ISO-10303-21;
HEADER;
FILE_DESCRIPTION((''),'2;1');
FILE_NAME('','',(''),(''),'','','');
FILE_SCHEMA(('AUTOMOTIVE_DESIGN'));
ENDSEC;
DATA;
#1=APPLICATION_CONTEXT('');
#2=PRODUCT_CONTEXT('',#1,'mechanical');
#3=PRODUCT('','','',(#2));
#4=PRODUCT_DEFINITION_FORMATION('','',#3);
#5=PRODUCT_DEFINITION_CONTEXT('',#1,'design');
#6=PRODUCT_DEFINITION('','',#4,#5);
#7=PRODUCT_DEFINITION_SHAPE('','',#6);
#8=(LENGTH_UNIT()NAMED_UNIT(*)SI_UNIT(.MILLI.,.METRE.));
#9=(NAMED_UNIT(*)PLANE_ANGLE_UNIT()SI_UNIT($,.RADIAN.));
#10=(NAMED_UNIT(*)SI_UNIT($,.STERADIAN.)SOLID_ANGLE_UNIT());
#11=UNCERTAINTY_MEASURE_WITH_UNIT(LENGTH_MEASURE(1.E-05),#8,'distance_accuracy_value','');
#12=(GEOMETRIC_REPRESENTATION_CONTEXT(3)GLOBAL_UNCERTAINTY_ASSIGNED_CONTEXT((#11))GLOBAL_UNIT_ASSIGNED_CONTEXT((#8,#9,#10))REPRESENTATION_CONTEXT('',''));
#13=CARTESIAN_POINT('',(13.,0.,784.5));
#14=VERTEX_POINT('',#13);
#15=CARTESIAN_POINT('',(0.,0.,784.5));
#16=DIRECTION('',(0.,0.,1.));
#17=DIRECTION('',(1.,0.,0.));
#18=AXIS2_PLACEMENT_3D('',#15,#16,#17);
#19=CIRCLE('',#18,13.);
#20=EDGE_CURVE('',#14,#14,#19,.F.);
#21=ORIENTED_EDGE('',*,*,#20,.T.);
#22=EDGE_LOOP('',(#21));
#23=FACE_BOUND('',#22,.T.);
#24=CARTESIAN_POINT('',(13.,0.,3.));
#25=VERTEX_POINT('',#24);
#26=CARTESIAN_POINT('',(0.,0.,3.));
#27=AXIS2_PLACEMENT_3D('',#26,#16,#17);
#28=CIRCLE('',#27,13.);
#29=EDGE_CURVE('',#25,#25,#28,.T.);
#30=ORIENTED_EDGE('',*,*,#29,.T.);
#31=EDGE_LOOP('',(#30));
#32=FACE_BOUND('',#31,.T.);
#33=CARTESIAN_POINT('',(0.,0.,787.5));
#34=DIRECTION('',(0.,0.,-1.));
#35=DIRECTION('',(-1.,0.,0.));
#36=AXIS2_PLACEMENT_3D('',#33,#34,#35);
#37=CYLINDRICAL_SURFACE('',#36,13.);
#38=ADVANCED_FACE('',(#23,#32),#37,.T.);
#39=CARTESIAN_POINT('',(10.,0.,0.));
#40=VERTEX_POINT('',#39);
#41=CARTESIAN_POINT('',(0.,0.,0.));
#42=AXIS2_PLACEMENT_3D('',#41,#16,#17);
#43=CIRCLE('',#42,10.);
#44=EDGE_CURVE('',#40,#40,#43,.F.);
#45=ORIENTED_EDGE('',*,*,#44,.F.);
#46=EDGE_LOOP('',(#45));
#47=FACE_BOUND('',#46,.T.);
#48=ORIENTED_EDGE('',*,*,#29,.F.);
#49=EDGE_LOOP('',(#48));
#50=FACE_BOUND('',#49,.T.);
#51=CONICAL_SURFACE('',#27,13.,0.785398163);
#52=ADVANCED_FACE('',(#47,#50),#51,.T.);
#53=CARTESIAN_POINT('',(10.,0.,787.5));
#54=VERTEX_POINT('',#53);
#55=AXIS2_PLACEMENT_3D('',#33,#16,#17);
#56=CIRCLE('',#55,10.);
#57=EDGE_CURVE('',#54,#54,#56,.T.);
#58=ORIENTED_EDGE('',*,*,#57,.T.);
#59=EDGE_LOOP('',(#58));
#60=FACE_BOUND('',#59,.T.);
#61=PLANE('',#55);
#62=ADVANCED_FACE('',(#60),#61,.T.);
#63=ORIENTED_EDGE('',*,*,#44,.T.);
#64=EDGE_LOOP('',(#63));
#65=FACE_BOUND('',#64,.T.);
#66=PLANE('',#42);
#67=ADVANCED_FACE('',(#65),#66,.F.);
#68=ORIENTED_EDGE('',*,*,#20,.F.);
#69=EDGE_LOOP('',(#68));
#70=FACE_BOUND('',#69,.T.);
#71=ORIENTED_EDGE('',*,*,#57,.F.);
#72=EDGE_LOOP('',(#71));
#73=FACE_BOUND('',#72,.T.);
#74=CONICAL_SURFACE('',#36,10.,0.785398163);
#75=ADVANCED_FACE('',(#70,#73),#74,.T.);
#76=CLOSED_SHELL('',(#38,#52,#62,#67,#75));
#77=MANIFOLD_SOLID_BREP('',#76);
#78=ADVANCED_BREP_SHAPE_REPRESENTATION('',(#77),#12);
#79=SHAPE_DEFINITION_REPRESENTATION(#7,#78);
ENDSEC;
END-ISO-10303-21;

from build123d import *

# Parameters (mm, degrees)
SKETCH1_R           = 13
BOSS_EXTRUDE1_DEPTH = 787.5
CHAMFER1_SIZE       = 3


with BuildPart() as part:
    # Sketch1 → Boss-Extrude1 (new body)
    with BuildSketch(Plane.XY):
        Circle(SKETCH1_R)
    extrude(amount=BOSS_EXTRUDE1_DEPTH)

    # Chamfer1
    chamfer1_edges = [part.edges().sort_by_distance(p)[0] for p in [
        (-13, 0, 0),
        (-13, 0, 787.5),
    ]]
    chamfer(chamfer1_edges, length=CHAMFER1_SIZE)


solid = part.part
